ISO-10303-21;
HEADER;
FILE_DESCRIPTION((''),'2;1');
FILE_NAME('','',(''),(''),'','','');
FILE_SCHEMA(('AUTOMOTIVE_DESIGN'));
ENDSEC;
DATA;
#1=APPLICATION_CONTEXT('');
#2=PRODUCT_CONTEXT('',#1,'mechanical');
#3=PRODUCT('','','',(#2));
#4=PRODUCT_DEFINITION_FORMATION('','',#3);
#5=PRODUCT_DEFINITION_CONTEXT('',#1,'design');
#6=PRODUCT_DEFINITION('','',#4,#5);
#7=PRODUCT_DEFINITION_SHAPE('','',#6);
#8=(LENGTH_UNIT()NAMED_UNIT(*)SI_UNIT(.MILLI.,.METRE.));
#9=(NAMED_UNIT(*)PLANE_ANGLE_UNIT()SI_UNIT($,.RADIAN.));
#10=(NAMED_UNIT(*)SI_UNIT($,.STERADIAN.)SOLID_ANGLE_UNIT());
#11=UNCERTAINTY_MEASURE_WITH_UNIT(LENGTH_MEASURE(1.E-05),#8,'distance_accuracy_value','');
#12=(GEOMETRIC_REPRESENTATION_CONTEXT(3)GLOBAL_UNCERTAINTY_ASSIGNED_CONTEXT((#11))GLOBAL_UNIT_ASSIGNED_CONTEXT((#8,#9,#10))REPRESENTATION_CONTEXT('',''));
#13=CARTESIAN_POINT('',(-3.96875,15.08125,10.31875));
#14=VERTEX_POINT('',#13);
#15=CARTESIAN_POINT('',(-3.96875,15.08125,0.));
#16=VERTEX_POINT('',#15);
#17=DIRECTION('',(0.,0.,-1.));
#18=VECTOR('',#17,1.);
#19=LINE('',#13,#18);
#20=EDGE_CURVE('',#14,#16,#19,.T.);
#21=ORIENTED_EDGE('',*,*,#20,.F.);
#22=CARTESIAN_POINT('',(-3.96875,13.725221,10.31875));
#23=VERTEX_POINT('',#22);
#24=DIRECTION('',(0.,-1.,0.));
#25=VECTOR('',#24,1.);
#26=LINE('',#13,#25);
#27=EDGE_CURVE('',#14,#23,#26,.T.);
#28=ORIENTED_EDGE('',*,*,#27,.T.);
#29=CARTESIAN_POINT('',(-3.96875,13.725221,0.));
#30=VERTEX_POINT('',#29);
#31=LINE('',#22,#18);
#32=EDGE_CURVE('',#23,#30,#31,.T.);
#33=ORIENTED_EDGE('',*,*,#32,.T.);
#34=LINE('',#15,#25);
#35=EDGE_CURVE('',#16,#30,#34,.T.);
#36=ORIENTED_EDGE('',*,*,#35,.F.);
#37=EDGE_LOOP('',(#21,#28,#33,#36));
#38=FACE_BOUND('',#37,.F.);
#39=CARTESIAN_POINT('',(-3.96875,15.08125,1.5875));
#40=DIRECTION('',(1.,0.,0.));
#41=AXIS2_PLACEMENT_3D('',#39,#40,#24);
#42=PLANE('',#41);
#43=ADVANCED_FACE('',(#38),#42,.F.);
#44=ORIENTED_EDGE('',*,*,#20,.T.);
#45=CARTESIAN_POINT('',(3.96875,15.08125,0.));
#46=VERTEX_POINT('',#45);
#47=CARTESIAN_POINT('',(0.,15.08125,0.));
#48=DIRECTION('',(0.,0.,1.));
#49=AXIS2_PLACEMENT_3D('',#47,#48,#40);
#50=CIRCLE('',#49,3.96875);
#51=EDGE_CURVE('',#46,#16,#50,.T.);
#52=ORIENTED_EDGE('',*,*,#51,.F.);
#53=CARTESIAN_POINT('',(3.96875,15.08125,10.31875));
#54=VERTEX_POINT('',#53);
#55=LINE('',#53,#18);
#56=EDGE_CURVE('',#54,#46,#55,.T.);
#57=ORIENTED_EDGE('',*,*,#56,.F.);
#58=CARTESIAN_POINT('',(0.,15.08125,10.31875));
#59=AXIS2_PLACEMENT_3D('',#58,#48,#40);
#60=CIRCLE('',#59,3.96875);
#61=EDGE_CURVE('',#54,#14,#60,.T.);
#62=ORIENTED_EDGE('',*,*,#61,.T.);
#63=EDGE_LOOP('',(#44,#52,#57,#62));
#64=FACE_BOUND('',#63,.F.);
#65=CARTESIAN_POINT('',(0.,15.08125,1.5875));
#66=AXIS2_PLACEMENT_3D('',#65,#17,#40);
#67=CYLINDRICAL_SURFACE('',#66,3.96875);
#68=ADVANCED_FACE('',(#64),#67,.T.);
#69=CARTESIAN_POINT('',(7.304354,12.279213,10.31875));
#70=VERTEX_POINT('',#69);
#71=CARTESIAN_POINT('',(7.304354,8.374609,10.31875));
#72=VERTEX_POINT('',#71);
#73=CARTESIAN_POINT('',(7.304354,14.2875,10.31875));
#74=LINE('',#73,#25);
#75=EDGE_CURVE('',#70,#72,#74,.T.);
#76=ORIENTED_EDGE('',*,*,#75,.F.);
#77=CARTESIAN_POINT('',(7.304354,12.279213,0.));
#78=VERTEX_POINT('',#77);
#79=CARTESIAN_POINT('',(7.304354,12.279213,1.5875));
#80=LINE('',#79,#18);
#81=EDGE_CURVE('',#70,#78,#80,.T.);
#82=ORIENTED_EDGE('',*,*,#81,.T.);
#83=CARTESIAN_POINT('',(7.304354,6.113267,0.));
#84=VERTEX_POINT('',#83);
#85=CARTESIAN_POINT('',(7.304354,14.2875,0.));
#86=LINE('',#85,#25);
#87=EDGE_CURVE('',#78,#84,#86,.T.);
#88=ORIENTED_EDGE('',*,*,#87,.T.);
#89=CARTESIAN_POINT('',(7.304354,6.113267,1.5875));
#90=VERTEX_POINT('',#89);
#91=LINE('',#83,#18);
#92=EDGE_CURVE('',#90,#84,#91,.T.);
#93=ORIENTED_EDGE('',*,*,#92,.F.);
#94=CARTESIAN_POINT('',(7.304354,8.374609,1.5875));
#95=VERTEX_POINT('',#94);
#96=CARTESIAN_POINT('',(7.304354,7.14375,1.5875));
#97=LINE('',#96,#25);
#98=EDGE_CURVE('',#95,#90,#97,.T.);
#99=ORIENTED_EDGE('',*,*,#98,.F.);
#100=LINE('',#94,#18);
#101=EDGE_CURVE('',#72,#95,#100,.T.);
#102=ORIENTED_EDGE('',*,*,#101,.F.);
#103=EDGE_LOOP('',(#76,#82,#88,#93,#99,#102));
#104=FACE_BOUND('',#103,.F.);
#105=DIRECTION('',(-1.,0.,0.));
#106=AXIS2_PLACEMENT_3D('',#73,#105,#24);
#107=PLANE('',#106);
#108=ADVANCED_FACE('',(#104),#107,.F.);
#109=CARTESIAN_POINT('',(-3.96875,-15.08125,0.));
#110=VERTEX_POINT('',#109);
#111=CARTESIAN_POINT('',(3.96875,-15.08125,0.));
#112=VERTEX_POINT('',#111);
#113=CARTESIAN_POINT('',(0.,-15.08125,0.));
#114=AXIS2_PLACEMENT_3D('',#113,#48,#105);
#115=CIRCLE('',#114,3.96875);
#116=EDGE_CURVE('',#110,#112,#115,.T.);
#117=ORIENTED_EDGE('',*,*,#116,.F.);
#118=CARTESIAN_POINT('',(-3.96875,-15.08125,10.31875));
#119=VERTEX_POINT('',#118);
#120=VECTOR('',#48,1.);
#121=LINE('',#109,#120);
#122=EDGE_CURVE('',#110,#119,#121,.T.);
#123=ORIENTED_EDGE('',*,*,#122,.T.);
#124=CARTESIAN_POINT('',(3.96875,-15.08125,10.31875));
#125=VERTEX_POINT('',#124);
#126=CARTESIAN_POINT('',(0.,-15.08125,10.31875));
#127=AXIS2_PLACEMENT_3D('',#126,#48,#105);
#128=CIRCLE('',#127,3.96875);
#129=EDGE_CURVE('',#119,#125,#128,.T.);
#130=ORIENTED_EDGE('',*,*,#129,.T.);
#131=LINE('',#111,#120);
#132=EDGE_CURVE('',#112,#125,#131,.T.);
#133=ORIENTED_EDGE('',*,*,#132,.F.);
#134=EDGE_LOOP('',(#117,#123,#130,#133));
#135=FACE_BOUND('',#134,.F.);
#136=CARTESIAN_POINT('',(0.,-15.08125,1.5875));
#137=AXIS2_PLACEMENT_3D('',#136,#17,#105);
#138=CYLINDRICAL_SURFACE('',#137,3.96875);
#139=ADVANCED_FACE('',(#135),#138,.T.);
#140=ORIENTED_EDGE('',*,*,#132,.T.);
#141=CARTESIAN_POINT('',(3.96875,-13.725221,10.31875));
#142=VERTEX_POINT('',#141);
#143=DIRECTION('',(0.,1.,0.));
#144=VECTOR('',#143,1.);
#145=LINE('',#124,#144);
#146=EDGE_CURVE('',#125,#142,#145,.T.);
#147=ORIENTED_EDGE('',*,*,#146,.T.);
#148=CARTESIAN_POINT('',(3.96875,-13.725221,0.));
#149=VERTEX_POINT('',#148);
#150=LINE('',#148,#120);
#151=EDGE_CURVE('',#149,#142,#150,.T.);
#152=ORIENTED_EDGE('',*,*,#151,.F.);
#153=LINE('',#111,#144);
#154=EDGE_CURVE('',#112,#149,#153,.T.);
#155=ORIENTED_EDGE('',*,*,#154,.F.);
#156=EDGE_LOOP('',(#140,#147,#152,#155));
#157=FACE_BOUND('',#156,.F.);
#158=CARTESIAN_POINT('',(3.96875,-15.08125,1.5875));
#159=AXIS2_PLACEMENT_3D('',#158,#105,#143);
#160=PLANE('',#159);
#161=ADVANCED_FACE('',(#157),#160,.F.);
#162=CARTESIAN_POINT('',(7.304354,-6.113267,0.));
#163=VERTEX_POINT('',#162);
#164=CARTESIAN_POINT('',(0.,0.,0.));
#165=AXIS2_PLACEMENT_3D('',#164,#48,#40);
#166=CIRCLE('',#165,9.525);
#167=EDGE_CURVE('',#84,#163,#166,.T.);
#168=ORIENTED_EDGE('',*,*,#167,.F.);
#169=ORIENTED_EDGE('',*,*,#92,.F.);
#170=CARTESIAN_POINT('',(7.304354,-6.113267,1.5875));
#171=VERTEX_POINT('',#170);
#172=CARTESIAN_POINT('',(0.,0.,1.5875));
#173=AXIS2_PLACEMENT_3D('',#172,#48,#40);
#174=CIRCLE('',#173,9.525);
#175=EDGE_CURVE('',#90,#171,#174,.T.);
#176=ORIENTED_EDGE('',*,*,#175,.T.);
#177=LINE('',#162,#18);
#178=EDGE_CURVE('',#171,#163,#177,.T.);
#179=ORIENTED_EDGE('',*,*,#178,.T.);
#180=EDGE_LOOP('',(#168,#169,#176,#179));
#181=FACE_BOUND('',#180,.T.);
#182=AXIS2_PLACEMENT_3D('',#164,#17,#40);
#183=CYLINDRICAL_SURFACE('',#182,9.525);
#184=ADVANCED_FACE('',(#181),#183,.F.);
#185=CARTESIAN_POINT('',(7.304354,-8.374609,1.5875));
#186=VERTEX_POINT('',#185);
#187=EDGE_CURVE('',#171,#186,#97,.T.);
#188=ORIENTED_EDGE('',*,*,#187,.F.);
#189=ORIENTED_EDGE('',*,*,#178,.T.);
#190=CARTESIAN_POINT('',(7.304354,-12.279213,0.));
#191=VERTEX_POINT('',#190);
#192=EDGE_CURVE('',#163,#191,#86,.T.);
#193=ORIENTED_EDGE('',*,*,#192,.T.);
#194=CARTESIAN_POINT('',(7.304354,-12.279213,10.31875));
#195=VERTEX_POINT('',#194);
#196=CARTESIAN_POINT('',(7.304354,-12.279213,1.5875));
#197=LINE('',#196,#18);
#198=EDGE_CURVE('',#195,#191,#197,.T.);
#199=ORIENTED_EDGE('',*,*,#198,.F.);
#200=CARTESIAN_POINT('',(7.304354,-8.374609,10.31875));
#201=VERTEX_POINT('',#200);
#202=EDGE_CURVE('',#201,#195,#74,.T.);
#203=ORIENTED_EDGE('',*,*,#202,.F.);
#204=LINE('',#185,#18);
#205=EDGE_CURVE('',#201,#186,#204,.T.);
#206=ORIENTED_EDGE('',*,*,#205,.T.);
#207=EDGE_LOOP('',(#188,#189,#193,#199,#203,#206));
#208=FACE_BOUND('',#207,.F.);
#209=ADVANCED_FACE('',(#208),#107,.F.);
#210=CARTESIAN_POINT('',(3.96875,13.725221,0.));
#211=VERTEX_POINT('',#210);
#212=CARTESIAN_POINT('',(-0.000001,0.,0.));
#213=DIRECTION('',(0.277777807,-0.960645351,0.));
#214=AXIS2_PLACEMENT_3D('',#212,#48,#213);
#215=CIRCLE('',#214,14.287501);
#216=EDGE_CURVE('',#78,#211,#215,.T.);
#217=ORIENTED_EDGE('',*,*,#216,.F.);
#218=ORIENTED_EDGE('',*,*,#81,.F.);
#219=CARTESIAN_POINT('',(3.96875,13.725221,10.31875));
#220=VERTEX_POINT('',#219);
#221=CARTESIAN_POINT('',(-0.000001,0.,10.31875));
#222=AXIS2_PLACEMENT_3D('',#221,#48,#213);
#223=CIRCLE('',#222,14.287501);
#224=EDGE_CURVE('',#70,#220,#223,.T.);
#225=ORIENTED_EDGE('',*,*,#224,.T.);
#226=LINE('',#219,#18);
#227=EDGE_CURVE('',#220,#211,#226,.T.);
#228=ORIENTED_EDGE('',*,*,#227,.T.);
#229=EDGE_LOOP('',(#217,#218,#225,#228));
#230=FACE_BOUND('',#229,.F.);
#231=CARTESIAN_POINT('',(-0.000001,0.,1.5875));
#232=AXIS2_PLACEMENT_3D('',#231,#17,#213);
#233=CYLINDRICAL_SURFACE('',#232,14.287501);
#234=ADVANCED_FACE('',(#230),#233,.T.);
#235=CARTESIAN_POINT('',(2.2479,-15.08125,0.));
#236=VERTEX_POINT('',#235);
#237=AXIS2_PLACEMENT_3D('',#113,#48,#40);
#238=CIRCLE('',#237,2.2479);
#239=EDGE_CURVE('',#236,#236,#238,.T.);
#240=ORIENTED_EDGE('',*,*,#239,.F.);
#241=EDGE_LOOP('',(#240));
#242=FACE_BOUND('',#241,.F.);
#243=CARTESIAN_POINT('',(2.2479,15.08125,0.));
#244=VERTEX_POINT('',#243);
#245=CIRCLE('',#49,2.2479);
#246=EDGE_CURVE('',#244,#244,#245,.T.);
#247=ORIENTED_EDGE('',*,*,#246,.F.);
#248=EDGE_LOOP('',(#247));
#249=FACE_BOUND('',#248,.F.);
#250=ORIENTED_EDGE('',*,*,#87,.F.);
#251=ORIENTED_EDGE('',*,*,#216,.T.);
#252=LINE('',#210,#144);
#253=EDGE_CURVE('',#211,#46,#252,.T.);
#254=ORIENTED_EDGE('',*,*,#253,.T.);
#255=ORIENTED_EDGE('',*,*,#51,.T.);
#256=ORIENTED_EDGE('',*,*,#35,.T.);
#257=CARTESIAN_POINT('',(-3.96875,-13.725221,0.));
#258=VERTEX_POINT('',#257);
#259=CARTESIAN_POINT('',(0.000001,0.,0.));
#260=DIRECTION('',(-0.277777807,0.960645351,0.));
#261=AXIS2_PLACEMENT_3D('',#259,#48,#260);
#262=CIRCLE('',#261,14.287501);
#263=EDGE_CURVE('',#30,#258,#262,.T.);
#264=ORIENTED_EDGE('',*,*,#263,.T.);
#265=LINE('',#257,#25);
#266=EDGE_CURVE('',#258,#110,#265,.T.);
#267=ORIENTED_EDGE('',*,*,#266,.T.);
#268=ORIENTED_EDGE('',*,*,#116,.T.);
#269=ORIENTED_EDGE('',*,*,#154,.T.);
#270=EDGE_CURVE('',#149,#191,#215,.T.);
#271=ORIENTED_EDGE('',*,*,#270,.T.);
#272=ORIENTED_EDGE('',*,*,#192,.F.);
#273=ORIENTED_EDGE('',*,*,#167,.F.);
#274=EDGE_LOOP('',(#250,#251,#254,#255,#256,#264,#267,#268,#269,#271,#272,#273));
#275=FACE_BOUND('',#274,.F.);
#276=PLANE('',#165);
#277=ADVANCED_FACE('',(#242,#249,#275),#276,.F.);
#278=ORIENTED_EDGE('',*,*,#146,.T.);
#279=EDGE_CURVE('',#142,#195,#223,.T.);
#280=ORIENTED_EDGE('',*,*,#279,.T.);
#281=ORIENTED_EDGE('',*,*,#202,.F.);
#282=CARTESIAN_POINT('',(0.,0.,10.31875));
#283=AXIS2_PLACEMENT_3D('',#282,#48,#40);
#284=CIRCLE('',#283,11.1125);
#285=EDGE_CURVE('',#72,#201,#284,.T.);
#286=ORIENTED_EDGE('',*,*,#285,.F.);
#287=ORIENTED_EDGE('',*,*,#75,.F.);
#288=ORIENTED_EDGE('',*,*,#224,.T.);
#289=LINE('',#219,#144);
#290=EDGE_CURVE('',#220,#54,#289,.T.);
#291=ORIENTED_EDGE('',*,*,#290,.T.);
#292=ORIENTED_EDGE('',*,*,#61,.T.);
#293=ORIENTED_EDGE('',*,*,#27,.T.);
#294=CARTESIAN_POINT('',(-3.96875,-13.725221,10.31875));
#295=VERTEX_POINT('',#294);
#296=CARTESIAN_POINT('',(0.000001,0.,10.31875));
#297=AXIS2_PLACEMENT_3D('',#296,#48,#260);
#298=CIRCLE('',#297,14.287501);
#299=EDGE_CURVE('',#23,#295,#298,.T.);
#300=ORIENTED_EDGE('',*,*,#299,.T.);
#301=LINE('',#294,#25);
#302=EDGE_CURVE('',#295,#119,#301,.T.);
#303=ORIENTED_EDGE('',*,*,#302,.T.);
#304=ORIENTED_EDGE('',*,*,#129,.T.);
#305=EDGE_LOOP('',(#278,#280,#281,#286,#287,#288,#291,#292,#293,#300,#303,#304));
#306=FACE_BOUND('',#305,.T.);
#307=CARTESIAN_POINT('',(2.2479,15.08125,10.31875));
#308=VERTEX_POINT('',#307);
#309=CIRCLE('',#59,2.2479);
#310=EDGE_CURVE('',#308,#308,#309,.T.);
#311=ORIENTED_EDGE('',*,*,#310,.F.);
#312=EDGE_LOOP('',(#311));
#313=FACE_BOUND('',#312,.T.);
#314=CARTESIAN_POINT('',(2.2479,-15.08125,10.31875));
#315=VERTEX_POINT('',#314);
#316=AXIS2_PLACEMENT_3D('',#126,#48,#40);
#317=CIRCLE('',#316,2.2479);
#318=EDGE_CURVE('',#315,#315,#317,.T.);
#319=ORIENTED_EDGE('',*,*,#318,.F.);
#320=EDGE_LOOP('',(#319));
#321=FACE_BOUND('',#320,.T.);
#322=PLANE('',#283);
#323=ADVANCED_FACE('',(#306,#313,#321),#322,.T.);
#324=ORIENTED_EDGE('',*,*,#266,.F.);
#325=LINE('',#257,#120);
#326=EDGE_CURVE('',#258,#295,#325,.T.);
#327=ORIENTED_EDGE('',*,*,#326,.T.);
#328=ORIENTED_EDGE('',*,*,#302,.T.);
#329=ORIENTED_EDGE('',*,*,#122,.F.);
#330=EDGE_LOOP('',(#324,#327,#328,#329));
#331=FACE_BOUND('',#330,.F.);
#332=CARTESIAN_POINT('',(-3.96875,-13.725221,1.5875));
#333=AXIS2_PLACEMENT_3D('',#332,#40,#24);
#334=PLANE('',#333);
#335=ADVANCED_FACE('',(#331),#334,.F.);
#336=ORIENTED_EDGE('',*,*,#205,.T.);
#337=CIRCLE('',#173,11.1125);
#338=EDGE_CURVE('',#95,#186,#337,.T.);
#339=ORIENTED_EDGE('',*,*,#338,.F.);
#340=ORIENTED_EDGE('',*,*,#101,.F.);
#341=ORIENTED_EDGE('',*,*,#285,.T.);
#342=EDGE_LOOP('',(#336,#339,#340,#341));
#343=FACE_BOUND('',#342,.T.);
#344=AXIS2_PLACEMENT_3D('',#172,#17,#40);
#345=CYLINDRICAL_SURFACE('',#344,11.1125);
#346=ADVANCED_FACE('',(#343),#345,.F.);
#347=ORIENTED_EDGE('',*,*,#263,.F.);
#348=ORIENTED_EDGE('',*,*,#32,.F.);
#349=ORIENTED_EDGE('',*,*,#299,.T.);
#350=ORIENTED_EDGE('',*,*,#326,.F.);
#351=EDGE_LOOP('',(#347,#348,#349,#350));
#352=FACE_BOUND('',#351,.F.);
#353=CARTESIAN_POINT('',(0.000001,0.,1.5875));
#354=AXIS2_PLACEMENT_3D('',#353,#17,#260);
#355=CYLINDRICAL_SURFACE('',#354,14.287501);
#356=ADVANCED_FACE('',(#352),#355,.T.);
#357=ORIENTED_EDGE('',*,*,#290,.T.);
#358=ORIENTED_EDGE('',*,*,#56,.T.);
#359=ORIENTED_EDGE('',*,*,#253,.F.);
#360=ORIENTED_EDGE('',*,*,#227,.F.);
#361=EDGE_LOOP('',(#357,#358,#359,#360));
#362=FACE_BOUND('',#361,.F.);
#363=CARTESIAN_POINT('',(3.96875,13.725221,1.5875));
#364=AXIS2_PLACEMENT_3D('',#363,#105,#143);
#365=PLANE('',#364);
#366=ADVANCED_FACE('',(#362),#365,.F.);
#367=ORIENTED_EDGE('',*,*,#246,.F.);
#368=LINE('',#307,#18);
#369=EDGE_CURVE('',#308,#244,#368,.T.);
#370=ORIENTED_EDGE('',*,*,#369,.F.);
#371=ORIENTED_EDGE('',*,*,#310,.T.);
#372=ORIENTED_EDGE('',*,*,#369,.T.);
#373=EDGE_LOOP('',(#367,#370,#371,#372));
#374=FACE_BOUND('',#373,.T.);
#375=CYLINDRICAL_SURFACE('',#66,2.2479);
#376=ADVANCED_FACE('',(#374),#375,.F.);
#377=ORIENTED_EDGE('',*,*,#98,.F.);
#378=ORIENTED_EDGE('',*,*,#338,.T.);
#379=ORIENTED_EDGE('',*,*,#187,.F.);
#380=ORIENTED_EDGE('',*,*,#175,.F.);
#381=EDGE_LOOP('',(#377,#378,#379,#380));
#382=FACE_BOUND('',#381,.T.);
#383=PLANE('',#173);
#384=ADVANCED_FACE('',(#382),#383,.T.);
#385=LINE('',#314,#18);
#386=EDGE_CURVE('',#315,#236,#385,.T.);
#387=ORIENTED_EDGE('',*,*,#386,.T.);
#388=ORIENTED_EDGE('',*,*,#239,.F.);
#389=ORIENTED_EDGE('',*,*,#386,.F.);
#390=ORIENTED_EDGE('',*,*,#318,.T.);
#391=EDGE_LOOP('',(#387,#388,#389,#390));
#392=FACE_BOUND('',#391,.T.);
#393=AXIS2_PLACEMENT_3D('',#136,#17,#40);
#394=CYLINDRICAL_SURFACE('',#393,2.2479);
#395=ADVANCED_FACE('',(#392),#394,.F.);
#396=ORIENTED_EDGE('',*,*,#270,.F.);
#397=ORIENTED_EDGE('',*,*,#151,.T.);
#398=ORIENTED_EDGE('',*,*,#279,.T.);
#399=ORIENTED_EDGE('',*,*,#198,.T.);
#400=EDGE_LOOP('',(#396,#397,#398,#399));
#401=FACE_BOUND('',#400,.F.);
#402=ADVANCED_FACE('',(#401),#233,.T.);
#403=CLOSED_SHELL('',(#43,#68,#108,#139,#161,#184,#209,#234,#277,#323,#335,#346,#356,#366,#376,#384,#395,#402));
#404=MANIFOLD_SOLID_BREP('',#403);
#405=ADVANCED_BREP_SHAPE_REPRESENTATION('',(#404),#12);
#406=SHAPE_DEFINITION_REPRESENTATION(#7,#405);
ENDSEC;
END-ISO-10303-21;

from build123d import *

# Parameters (mm, degrees)
F0_R     = 2.2479
F0_R_2   = 9.525
F1_DEPTH = 1.5875
F2_R     = 2.2479
F2_R_2   = 11.1125
F3_DEPTH = 8.73125
F5_DEPTH = 10.31875


with BuildPart() as f1:
    # F0 (on Top) → F1 (new body)
    with BuildSketch(Plane.XY):
        with BuildLine():
            Line((3.96875, -15.08125), (3.96875, -13.725221))
            ThreePointArc((3.96875, -13.725221), (14.2875, 0), (3.96875, 13.725221))
            Line((3.96875, 13.725221), (3.96875, 15.08125))
            ThreePointArc((3.96875, 15.08125), (0, 19.05), (-3.96875, 15.08125))
            Line((-3.96875, 15.08125), (-3.96875, 13.725221))
            ThreePointArc((-3.96875, 13.725221), (-14.2875, 0), (-3.96875, -13.725221))
            Line((-3.96875, -13.725221), (-3.96875, -15.08125))
            ThreePointArc((-3.96875, -15.08125), (0, -19.05), (3.96875, -15.08125))
        make_face()
        with Locations((0, -15.08125)):
            Circle(F0_R, mode=Mode.SUBTRACT)
        Circle(F0_R_2, mode=Mode.SUBTRACT)
        with Locations((0, 15.08125)):
            Circle(F0_R, mode=Mode.SUBTRACT)
    extrude(amount=F1_DEPTH)

    # F2 (on face) → F3 (join)
    with BuildSketch(Plane.XY.offset(1.5875)):
        with BuildLine():
            ThreePointArc((-3.96875, 13.725221), (-14.2875, 0), (-3.96875, -13.725221))
            Line((-3.96875, -13.725221), (-3.96875, -15.08125))
            ThreePointArc((-3.96875, -15.08125), (0, -19.05), (3.96875, -15.08125))
            Line((3.96875, -15.08125), (3.96875, -13.725221))
            ThreePointArc((3.96875, -13.725221), (14.2875, 0), (3.96875, 13.725221))
            Line((3.96875, 13.725221), (3.96875, 15.08125))
            ThreePointArc((3.96875, 15.08125), (0, 19.05), (-3.96875, 15.08125))
            Line((-3.96875, 15.08125), (-3.96875, 13.725221))
        make_face()
        with Locations((0, -15.08125)):
            Circle(F2_R, mode=Mode.SUBTRACT)
        Circle(F2_R_2, mode=Mode.SUBTRACT)
        with Locations((0, 15.08125)):
            Circle(F2_R, mode=Mode.SUBTRACT)
    extrude(amount=F3_DEPTH)

    # F4 (on face) → F5 (cut, through all)
    with BuildSketch(Plane.XY.offset(10.31875)):
        Polygon((7.304354, 0), (7.304354, -14.2875), (14.2875, -14.2875), (14.2875, 14.2875), (7.304354, 14.2875), align=None)
    extrude(amount=-F5_DEPTH, mode=Mode.SUBTRACT)


solid = f1.part
